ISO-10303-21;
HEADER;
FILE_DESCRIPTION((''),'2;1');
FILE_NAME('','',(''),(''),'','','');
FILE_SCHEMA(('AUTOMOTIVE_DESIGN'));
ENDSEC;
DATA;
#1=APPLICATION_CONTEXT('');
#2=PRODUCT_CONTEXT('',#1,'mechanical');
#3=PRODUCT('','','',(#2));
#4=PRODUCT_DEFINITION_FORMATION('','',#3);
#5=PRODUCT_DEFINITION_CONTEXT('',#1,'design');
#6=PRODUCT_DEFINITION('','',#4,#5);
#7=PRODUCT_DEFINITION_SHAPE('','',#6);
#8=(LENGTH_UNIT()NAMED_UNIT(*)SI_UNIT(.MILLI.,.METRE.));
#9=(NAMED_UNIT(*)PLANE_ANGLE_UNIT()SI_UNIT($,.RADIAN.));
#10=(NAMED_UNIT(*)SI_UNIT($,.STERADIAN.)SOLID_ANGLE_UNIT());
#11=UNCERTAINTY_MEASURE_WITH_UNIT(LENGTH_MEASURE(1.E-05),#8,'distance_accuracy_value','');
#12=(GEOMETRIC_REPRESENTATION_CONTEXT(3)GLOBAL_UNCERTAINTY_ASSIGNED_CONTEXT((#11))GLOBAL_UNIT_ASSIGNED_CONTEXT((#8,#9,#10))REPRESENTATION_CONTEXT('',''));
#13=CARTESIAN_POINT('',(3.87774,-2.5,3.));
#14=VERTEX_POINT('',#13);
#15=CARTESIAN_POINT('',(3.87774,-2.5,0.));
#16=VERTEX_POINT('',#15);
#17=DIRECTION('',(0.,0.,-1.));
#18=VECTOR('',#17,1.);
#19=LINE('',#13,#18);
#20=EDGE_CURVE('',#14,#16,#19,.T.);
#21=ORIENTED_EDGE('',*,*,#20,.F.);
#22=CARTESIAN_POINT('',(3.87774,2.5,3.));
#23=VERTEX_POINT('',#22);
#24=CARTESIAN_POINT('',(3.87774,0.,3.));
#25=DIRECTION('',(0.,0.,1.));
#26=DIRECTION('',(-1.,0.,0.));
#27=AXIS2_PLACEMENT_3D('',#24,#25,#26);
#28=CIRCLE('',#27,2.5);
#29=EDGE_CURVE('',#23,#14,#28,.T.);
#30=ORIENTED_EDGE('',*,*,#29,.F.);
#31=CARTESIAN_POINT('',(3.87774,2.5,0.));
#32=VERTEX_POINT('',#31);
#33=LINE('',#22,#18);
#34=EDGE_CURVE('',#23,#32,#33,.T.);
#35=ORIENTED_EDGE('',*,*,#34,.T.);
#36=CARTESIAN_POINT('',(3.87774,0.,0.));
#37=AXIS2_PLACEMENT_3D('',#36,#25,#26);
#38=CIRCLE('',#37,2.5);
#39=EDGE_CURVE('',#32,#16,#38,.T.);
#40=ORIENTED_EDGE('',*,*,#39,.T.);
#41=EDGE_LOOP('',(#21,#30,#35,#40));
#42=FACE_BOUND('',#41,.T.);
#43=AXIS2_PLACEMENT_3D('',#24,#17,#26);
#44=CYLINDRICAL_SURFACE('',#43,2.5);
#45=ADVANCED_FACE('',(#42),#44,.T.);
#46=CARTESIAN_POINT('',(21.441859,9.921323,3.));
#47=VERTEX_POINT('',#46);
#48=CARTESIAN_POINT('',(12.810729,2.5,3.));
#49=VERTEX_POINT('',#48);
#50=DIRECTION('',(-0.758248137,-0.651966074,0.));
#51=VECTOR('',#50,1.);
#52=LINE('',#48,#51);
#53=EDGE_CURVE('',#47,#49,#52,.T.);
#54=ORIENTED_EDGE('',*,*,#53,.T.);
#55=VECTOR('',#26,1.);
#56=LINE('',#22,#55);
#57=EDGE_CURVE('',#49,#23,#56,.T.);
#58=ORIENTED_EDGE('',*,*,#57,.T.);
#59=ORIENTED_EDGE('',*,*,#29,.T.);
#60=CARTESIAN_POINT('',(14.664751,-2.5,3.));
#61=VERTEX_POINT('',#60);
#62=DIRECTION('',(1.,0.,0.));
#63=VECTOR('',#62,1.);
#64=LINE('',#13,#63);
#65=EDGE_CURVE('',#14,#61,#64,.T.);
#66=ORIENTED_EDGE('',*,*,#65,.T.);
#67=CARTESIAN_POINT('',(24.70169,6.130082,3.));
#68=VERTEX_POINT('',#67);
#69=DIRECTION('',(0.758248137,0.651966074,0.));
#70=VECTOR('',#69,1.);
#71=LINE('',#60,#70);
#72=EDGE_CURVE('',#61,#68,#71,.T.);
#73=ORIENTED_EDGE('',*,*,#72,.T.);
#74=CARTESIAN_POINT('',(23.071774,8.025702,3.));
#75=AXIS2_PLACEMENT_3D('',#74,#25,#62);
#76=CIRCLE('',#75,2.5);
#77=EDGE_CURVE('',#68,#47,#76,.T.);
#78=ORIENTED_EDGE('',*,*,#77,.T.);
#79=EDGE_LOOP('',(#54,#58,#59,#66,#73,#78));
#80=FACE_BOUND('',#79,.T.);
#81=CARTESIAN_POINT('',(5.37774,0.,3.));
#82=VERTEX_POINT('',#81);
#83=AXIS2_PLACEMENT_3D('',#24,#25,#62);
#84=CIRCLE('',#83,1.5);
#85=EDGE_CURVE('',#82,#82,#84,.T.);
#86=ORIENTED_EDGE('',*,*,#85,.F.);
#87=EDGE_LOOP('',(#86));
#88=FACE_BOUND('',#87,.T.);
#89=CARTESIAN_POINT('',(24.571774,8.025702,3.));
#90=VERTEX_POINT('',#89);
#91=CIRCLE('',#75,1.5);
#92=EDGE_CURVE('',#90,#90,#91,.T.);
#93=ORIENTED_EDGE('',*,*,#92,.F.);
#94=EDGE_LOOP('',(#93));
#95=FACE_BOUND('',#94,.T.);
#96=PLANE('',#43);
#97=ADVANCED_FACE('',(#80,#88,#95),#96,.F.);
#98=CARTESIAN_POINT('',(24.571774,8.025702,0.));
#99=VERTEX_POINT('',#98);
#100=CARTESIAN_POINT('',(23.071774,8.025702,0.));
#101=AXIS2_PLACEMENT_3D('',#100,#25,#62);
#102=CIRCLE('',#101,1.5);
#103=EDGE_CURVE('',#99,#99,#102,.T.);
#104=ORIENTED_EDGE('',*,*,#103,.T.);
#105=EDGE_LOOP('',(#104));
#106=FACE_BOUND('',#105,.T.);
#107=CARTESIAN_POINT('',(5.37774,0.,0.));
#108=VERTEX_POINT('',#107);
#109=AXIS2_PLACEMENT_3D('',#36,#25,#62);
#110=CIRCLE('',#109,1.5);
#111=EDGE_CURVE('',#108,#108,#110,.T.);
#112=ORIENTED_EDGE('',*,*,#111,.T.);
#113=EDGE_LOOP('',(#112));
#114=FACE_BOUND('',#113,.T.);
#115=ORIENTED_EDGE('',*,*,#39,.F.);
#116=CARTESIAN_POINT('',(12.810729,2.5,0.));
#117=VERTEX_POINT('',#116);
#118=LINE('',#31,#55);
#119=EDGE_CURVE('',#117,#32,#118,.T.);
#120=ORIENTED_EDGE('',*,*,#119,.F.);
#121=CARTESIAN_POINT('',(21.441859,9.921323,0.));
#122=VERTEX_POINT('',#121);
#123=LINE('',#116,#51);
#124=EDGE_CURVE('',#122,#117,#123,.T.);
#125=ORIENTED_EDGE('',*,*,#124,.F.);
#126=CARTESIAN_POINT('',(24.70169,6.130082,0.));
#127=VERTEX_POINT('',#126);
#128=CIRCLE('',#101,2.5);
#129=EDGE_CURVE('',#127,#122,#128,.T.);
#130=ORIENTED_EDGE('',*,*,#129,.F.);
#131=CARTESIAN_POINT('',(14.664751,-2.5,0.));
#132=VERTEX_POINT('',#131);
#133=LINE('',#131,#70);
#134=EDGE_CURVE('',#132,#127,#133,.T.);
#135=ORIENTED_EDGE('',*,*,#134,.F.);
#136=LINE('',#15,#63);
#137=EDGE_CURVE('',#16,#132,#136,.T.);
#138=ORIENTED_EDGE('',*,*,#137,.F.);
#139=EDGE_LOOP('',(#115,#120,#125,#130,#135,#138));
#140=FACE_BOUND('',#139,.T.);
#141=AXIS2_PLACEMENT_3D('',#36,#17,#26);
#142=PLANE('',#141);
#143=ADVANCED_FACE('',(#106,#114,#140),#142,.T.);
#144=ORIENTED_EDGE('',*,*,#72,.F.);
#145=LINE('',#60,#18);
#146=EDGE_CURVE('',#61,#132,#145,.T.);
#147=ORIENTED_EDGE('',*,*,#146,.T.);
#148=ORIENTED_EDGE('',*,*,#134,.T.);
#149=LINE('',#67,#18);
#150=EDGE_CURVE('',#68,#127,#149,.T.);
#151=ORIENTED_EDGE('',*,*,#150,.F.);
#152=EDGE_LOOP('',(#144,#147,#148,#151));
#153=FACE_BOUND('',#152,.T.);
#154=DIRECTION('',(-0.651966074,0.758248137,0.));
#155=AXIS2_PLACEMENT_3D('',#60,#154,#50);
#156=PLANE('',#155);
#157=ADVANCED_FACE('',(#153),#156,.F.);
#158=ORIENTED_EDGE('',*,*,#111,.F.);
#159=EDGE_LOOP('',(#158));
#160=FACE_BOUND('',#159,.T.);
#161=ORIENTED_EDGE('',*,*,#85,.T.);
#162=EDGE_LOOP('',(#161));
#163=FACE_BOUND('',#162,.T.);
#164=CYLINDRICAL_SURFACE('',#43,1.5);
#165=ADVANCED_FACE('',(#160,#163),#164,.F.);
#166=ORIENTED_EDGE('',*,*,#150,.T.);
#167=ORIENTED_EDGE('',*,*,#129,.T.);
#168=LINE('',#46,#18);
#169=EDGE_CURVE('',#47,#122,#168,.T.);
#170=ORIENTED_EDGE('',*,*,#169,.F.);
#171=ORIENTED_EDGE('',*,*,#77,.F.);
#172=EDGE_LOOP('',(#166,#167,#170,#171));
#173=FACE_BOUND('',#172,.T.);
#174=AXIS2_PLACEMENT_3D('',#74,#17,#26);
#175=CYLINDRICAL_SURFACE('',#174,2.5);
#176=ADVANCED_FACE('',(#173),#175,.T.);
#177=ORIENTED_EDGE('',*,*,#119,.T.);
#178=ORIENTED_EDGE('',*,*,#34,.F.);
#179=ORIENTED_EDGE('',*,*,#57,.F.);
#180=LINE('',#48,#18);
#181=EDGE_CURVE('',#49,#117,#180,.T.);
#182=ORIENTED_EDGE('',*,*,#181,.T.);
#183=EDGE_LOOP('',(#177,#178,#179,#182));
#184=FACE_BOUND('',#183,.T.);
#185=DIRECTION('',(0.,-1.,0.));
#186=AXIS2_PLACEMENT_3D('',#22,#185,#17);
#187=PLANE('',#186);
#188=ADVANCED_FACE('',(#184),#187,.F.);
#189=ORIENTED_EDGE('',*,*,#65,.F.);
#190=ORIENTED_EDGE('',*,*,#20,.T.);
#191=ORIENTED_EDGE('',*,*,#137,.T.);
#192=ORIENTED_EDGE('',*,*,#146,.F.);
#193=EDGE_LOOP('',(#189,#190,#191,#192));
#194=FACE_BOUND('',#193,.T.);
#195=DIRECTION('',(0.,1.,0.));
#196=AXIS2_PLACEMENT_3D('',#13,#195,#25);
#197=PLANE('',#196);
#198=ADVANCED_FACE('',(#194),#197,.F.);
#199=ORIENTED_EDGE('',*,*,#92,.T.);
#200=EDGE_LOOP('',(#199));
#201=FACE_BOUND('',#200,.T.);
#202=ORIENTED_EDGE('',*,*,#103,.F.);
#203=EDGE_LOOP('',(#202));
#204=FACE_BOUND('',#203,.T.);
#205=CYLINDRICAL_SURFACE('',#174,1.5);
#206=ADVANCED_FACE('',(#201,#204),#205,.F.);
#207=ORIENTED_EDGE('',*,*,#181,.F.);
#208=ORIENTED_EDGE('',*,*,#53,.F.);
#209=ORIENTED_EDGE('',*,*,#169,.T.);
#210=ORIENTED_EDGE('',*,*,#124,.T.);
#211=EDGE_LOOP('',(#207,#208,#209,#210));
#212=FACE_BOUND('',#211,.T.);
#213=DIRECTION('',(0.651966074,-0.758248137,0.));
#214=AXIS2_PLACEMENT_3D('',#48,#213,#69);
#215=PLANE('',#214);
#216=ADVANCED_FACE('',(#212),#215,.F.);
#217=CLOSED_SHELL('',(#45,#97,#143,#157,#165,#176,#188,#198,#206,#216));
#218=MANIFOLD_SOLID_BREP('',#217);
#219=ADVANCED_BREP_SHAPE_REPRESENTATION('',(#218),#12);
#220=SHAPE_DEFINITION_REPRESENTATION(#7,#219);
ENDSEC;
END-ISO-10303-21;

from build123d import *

# Parameters (mm, degrees)
SKETCH1_R           = 1.5
BOSS_EXTRUDE1_DEPTH = 3


with BuildPart() as part:
    # Sketch1 → Boss-Extrude1 (new body)
    with BuildSketch(Plane.XY):
        with BuildLine():
            Line((3.877739867, -2.5), (14.664750766, -2.5))
            Line((14.664750766, -2.5), (24.701689624, 6.130082034))
            ThreePointArc((24.701689624, 6.130082034), (24.967394781, 9.655617563), (21.441859251, 9.92132272))
            Line((21.441859251, 9.92132272), (12.810728968, 2.5))
            Line((12.810728968, 2.5), (3.877739867, 2.5))
            ThreePointArc((3.877739867, 2.5), (1.377739867, 0), (3.877739867, -2.5))
        make_face()
        with Locations((23.071774437, 8.025702377)):
            Circle(SKETCH1_R, mode=Mode.SUBTRACT)
        with Locations((3.877739867, 0)):
            Circle(SKETCH1_R, mode=Mode.SUBTRACT)
    extrude(amount=BOSS_EXTRUDE1_DEPTH)


solid = part.part
